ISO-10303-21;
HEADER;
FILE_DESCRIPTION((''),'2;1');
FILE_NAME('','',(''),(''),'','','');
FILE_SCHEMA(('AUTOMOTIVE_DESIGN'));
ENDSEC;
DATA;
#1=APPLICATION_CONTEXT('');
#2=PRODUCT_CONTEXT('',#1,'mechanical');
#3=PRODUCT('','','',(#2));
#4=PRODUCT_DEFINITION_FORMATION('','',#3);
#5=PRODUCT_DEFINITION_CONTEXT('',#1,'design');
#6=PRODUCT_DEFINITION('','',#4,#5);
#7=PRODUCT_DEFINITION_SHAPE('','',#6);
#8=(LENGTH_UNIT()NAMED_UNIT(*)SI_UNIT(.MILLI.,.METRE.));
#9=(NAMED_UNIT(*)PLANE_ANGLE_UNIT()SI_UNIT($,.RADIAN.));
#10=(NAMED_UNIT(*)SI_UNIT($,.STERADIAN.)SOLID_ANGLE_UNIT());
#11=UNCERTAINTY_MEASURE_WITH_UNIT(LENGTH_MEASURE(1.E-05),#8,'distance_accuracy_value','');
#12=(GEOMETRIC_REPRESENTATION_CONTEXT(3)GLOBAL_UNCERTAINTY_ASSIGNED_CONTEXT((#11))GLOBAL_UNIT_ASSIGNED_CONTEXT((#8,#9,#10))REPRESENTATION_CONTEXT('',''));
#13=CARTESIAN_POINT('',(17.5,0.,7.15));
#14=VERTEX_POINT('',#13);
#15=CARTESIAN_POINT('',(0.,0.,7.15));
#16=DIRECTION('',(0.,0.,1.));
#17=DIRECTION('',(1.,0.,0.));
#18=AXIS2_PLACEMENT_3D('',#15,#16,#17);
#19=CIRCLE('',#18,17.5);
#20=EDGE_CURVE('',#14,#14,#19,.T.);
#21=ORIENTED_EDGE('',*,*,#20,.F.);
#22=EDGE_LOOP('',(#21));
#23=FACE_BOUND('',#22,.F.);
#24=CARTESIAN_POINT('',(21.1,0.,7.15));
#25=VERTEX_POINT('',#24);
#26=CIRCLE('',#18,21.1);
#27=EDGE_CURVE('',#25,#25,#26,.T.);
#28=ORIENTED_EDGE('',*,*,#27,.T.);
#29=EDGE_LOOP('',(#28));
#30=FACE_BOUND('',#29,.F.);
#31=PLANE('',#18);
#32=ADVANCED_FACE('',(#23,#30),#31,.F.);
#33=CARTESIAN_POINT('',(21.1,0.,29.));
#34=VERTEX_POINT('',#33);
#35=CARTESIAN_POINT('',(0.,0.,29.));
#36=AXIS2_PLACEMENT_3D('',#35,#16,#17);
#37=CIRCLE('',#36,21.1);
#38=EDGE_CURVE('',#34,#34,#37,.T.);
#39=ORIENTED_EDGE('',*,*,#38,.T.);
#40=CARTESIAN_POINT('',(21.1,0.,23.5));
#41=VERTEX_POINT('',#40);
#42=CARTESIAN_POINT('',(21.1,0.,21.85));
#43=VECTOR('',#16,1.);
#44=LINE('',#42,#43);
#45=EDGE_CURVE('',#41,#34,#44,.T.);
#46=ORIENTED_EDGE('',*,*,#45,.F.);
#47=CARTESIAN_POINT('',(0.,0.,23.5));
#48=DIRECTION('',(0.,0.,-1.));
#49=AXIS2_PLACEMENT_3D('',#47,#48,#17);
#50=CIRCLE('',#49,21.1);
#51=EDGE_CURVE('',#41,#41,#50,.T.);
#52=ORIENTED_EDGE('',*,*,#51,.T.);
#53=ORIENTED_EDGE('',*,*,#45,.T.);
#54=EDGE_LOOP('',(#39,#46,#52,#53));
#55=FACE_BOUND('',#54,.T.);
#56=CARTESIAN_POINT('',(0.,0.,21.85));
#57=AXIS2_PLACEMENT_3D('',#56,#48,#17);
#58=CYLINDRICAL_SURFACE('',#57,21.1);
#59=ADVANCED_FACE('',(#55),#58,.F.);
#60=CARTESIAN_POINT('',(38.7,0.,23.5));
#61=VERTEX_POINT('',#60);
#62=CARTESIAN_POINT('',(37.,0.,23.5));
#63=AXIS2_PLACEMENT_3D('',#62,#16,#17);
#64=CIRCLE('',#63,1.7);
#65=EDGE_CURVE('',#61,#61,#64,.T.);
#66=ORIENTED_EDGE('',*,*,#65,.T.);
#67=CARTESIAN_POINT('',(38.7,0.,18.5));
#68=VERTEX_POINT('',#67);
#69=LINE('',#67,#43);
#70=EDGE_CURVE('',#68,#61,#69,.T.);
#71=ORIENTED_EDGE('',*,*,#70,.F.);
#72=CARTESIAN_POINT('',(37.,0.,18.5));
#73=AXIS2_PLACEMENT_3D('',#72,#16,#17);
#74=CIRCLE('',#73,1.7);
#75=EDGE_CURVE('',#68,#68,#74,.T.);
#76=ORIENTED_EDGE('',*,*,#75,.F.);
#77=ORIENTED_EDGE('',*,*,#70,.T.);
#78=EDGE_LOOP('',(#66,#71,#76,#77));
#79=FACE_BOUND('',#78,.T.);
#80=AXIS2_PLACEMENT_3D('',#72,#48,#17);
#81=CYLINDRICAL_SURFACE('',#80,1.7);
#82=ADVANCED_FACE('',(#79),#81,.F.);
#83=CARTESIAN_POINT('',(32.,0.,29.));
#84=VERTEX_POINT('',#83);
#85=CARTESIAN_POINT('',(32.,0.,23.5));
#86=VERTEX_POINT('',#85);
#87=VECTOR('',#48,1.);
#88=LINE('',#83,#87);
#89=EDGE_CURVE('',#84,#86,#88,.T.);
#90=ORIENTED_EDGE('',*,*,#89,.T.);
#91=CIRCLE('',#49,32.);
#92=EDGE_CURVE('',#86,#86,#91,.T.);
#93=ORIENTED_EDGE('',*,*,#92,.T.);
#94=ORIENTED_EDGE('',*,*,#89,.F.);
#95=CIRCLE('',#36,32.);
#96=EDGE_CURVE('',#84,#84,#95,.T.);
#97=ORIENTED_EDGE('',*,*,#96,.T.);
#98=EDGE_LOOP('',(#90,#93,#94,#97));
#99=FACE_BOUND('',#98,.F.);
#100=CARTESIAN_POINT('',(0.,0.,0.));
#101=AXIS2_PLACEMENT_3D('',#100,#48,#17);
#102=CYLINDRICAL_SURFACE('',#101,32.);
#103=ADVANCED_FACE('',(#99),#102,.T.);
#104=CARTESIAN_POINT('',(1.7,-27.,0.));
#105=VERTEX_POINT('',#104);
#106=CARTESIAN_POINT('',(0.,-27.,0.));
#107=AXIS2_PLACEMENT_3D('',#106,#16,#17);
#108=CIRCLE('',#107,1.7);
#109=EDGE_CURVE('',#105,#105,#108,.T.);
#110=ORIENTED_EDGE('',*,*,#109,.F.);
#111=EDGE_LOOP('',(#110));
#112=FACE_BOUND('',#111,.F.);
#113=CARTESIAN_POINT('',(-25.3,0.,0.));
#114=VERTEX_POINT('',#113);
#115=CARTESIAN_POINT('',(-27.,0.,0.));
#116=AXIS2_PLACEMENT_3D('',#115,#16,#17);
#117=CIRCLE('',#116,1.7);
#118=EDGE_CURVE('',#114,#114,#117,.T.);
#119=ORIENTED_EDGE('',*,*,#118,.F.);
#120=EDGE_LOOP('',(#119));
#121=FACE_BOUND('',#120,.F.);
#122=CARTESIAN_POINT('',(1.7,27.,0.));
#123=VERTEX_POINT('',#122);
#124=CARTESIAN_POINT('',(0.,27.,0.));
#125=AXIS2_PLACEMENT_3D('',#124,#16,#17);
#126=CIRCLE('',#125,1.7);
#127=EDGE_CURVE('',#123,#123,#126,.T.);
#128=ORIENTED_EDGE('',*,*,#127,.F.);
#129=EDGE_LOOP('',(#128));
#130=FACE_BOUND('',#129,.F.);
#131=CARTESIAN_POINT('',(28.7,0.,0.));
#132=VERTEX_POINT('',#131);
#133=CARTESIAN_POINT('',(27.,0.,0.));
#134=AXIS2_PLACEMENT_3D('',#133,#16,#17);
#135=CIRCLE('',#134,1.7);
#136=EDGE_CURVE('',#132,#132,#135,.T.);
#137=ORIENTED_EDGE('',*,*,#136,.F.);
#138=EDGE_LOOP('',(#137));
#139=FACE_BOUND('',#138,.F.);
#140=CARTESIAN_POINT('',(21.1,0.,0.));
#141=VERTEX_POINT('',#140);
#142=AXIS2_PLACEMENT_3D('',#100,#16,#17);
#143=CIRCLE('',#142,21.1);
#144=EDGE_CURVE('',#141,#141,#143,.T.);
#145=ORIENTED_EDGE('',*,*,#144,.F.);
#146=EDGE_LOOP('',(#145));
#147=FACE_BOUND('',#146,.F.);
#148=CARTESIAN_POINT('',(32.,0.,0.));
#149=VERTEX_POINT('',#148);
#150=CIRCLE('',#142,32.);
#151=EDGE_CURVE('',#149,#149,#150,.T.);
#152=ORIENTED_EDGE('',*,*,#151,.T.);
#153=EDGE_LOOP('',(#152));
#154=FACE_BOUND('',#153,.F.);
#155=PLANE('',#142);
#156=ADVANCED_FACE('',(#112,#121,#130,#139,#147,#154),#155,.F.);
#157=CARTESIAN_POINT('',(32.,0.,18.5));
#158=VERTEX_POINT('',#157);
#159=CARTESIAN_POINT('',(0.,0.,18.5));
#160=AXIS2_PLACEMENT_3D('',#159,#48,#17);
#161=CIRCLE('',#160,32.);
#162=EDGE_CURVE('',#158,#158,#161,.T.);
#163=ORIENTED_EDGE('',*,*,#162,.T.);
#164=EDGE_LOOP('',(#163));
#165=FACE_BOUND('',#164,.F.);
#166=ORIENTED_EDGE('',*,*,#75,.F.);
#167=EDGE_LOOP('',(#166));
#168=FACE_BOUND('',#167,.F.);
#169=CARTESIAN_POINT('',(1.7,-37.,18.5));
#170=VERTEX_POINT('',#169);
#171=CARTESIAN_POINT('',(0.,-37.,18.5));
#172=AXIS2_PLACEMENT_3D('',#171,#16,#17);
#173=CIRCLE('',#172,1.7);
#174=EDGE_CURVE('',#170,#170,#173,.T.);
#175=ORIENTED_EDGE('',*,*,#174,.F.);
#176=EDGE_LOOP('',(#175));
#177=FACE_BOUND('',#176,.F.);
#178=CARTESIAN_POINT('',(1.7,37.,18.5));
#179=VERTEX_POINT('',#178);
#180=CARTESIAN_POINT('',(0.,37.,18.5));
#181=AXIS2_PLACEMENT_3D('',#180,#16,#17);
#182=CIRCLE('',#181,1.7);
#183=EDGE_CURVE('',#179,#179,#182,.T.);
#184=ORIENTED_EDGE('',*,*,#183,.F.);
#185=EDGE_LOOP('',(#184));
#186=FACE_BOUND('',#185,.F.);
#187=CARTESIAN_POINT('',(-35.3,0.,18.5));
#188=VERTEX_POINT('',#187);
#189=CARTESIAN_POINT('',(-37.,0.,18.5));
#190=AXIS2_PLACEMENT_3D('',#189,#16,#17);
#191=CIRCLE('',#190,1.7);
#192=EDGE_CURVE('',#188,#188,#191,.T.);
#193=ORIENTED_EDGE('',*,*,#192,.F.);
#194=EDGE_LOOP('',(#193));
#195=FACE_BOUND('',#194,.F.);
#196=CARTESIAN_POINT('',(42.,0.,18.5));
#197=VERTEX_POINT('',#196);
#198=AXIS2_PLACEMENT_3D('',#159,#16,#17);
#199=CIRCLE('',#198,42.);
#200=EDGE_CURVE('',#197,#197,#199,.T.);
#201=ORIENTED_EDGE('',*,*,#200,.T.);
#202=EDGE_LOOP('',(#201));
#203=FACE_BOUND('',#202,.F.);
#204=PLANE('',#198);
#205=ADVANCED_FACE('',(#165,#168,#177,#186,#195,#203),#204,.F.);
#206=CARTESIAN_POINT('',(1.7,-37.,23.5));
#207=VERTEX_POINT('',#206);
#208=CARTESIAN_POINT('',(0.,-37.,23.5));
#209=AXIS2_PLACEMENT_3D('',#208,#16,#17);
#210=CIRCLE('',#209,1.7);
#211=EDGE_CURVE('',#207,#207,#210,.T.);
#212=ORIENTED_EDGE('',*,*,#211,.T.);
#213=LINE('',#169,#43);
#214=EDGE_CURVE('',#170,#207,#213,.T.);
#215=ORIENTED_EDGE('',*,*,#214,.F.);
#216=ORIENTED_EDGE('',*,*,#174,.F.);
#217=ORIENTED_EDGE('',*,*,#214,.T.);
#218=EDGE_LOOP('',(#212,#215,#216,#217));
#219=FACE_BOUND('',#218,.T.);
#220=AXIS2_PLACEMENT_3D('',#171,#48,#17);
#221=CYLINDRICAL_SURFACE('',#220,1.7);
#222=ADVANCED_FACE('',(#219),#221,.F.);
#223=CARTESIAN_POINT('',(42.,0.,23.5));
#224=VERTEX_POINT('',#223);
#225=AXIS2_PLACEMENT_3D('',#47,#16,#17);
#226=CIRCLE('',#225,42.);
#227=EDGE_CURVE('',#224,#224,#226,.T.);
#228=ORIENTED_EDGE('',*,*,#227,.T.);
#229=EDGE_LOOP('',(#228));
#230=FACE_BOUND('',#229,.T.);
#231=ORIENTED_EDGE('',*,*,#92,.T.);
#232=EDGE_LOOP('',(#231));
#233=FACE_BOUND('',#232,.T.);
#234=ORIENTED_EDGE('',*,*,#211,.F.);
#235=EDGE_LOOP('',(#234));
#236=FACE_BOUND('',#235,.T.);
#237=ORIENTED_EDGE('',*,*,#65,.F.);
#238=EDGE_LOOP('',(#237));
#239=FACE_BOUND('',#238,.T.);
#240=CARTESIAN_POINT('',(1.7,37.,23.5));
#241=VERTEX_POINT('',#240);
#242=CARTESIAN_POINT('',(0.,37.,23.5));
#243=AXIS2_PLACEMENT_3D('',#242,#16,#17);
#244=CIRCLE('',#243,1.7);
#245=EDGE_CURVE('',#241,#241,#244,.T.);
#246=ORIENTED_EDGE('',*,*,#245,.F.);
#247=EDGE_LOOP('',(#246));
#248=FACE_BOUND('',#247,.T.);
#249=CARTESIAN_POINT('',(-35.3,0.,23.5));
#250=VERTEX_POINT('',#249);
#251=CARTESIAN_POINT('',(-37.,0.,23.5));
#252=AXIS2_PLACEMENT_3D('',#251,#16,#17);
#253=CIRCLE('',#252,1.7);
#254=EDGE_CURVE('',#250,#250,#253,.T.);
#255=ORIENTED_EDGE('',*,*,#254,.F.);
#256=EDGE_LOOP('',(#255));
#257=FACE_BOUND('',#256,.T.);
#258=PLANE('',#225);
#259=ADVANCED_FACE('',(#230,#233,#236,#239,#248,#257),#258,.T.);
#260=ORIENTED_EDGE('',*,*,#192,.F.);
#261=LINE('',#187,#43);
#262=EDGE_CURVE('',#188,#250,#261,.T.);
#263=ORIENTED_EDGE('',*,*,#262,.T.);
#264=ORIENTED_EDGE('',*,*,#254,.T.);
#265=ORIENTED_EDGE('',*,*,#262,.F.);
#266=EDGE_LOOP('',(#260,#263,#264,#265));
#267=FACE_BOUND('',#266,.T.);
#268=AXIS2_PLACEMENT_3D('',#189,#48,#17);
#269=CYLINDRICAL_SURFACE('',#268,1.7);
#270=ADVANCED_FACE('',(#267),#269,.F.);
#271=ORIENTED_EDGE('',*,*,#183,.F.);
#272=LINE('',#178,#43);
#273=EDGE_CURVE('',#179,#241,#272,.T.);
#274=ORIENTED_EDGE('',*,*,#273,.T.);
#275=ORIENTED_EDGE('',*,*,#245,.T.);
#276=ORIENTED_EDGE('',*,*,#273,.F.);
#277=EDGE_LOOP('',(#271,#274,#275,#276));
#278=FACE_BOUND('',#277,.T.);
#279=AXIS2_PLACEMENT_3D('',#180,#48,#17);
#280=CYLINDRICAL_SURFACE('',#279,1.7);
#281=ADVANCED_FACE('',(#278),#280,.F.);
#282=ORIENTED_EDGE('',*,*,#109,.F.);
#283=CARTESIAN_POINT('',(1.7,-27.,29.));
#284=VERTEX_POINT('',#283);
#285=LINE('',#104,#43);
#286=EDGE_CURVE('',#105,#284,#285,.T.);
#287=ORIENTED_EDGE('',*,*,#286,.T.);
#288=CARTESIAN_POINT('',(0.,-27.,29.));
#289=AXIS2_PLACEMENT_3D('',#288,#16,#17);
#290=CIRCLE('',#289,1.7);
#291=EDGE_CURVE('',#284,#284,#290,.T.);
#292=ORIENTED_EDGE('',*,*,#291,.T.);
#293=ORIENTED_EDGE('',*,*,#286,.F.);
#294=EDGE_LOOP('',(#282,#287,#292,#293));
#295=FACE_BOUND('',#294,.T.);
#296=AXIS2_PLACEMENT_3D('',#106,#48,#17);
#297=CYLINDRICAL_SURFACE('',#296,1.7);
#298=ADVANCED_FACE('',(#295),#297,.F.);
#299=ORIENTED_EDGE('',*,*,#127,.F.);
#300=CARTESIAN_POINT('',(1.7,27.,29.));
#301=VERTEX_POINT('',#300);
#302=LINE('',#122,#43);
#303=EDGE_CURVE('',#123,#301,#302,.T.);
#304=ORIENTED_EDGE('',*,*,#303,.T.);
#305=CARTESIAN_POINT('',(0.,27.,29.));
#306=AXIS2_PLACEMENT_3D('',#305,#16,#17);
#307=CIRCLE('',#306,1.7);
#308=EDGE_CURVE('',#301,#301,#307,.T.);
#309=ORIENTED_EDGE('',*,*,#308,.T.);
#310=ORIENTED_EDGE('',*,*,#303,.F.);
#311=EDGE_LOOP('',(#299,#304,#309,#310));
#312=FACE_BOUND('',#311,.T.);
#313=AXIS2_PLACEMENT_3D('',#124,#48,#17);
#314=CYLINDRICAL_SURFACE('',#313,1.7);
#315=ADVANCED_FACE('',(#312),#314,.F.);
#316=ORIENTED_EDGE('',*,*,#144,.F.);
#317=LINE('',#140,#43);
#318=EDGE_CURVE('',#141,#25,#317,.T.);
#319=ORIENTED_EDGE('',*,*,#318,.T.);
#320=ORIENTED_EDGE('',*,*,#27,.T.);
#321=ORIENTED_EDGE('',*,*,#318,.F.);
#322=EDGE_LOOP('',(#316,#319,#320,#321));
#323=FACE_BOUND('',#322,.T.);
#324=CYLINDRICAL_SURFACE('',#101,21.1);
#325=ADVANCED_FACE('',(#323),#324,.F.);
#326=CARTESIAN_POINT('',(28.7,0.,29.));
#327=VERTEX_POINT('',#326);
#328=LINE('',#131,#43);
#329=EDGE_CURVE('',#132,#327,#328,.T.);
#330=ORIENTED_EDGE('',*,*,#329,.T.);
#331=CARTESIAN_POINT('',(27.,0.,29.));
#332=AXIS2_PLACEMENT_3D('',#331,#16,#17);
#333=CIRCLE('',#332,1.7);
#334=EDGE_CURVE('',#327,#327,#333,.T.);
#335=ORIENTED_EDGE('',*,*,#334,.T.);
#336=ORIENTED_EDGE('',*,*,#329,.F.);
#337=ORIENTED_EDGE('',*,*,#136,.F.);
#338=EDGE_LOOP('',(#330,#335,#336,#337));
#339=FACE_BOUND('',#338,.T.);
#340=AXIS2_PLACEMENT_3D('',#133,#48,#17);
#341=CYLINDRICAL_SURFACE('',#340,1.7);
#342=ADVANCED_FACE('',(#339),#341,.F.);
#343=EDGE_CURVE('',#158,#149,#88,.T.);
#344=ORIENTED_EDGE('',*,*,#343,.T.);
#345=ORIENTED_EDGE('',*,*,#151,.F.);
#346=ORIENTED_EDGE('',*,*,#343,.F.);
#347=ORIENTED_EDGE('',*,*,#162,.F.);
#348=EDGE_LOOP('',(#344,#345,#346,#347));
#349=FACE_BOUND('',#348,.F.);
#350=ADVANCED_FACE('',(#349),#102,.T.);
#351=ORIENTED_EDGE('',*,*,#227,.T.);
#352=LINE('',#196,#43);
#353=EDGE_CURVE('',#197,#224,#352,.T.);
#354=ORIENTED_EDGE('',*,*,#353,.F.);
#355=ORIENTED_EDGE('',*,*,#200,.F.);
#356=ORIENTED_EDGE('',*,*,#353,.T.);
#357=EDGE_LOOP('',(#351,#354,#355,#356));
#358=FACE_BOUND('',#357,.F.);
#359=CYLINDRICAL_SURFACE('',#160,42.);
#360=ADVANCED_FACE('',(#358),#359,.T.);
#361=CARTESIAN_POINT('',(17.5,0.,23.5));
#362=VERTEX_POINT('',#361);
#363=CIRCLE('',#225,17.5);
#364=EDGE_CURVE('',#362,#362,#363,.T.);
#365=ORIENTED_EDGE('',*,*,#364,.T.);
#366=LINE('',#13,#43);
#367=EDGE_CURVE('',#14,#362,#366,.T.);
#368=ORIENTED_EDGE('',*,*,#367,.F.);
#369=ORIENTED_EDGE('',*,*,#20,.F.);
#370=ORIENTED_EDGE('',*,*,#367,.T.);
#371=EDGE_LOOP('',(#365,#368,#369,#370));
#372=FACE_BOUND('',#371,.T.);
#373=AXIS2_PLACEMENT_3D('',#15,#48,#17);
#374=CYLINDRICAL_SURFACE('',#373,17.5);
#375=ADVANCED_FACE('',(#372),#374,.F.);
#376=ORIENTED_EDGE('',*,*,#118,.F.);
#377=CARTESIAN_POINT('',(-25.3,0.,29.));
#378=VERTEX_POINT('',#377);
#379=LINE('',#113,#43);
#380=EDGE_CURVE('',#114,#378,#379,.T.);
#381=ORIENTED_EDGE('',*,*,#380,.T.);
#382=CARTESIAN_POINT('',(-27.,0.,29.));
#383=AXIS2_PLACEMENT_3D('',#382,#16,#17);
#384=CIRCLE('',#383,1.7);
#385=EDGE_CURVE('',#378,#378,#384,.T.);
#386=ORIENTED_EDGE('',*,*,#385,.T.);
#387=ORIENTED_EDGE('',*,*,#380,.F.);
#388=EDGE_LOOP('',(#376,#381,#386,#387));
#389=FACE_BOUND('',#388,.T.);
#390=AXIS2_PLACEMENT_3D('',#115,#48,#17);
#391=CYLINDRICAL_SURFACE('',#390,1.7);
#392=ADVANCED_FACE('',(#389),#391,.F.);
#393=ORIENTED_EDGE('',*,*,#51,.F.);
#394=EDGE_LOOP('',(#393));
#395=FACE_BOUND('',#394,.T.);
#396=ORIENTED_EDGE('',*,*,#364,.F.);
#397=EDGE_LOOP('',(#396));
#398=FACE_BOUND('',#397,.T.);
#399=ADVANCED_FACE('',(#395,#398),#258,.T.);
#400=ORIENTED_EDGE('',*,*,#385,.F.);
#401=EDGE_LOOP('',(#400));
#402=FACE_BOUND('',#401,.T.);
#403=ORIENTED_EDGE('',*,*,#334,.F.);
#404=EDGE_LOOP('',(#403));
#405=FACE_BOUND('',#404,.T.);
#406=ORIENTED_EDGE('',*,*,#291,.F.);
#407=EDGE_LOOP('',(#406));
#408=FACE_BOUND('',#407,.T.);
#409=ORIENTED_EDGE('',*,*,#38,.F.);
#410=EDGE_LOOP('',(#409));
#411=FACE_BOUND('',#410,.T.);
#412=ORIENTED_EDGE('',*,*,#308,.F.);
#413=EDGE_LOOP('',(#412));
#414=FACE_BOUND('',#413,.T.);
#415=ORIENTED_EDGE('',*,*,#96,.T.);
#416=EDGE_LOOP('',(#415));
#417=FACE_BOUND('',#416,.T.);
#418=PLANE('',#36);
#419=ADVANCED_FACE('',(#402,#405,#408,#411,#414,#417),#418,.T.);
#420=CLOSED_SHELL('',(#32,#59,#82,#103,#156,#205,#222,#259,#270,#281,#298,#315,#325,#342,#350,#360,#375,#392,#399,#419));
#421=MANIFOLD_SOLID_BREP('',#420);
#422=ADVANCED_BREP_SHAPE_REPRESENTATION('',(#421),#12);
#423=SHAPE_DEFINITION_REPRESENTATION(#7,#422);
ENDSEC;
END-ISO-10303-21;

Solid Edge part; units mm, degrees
sketch "Sketch1" plane through (0, 0, 0) normal (0, 0, 1) x (1, 0, 0)
  circle A0 centre (0, 0) radius 32
  circle A1 centre (0, 0) radius 21.1
  circle A2 centre (27, 0) radius 1.7
  circle A3 centre (0, 27) radius 1.7
  circle A4 centre (-27, 0) radius 1.7
  circle A5 centre (0, -27) radius 1.7
extrude "Protrusion1" add sketch "Sketch1" along normal blind 7.15
sketch "Sketch2" plane through (0, 0, 7.15) normal (0, 0, 1) x (1, 0, 0)
  circle A0 centre (0, 0) radius 32
  circle A1 centre (0, 0) radius 17.5
  circle A2 centre (27, 0) radius 1.7
  circle A3 centre (0, 27) radius 1.7
  circle A4 centre (-27, 0) radius 1.7
  circle A5 centre (0, -27) radius 1.7
extrude "ExtrudedProtrusion_2" add sketch "Sketch2" along normal blind 14.7
sketch "Sketch3" plane through (0, 0, 21.85) normal (0, 0, 1) x (1, 0, 0)
  circle A0 centre (0, 0) radius 32
  circle A1 centre (0, 0) radius 21.1
  circle A2 centre (27, 0) radius 1.7
  circle A3 centre (0, 27) radius 1.7
  circle A4 centre (-27, 0) radius 1.7
  circle A5 centre (0, -27) radius 1.7
extrude "ExtrudedProtrusion_3" add sketch "Sketch3" along normal blind 7.15
sketch "Sketch4" plane through (0, 0, 18.5) normal (0, 0, 1) x (1, 0, 0)
  circle A0 centre (0, 0) radius 42
  circle A1 centre (0, 0) radius 17.5
  circle A2 centre (27, 0) radius 1.7
  circle A3 centre (0, 27) radius 1.7
  circle A4 centre (-27, 0) radius 1.7
  circle A5 centre (0, -27) radius 1.7
  circle A6 centre (37, 0) radius 1.7
  circle A7 centre (0, 37) radius 1.7
  circle A8 centre (-37, 0) radius 1.7
  circle A9 centre (0, -37) radius 1.7
extrude "ExtrudedProtrusion_4" add sketch "Sketch4" along normal blind 5
